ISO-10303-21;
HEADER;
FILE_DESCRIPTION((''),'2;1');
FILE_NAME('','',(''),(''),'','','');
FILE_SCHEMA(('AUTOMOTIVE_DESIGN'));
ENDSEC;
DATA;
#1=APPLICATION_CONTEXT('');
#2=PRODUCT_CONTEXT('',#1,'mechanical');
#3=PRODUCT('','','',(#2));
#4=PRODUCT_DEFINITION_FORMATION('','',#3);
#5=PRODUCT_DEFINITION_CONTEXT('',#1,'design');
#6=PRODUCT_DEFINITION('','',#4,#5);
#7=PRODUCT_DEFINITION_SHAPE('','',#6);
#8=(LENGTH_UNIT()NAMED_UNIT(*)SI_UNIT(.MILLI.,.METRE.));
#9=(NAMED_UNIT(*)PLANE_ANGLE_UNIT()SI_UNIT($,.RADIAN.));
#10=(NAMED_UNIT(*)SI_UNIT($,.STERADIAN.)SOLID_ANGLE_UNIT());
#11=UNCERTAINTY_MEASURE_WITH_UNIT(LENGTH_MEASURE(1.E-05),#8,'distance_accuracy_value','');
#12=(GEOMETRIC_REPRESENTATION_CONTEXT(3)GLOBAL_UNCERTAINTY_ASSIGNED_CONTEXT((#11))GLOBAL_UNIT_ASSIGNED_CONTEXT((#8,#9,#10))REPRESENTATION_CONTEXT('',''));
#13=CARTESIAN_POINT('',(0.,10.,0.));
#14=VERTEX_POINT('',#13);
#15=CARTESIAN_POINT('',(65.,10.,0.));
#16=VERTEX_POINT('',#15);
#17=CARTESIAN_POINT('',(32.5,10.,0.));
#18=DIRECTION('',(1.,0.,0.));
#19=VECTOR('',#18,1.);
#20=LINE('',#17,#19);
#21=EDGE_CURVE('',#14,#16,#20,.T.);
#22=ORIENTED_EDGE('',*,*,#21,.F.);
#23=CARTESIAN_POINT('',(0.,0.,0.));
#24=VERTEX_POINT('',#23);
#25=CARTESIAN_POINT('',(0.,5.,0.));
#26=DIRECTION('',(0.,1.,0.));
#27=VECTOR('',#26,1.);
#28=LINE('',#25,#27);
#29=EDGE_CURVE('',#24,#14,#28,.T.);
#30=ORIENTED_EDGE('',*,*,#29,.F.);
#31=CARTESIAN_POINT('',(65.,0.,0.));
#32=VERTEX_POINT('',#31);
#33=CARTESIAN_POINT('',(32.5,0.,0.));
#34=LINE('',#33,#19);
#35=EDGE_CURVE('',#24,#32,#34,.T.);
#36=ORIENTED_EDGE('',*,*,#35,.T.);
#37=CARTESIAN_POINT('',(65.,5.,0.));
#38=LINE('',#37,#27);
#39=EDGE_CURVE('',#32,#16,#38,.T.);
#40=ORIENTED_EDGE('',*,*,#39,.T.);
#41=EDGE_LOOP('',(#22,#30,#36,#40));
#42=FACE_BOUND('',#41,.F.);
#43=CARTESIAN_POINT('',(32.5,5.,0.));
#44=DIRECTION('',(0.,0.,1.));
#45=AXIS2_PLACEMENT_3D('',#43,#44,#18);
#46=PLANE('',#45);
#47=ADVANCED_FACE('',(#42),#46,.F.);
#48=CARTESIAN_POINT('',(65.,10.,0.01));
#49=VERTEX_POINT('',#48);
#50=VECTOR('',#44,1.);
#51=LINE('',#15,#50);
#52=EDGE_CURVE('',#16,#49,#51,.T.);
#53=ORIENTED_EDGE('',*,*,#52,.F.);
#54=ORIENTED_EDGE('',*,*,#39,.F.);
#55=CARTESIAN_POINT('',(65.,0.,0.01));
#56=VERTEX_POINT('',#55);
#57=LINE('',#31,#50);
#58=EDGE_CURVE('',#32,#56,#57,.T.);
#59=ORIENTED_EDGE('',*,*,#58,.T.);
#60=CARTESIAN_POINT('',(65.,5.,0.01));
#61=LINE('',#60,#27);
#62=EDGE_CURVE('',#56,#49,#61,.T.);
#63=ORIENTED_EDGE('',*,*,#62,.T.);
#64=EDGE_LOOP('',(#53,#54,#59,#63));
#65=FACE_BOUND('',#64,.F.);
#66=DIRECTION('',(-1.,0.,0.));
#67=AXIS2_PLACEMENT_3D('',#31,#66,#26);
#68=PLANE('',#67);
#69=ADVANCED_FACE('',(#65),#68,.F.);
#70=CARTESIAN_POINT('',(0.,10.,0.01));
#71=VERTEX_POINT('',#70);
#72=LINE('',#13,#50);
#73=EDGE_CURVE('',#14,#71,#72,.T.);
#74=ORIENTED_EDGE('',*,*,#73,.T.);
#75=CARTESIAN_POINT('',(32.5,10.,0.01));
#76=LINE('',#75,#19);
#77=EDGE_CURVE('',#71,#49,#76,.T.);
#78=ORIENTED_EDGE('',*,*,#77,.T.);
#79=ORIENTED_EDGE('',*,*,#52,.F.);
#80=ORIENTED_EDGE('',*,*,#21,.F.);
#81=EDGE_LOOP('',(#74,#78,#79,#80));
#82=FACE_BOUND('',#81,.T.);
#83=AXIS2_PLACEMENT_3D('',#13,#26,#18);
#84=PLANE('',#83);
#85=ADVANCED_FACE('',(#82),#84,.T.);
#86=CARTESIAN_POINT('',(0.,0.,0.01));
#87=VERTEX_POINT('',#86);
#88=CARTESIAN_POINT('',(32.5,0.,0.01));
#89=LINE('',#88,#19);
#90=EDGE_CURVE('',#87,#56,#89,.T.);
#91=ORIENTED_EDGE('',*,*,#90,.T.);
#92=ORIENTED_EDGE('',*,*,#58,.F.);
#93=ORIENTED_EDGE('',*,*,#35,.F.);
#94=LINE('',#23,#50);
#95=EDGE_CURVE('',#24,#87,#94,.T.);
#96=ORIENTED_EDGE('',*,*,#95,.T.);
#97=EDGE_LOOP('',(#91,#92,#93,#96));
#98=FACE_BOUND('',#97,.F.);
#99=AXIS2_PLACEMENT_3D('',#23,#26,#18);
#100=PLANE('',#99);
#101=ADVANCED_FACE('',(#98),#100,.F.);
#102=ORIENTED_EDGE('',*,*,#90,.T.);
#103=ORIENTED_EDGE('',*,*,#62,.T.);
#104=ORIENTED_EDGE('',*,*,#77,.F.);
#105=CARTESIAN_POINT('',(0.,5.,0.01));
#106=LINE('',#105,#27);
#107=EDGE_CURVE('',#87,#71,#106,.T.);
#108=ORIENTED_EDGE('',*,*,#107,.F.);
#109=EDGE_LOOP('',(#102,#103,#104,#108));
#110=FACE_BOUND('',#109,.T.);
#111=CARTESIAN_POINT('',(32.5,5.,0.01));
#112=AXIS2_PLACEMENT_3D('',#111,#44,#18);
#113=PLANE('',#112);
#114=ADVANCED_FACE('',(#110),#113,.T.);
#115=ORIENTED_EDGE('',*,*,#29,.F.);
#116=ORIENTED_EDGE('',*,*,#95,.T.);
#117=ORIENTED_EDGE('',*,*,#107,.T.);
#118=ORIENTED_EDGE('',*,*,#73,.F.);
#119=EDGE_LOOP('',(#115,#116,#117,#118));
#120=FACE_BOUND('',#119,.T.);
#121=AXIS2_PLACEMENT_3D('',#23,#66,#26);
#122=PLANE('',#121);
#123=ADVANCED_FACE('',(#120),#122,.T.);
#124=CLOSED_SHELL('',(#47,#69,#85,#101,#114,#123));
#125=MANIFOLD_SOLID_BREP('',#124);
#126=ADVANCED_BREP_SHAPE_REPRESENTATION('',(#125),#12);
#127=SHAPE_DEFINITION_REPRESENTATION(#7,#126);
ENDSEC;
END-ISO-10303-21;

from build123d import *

# Parameters (mm, degrees)
BOX_W     = 65
BOX_H     = 10
BOX_DEPTH = 0.01


with BuildPart() as part:
    # Box → Box (new body)
    with BuildSketch(Plane.XY):
        with Locations((32.5, 5)):
            Rectangle(BOX_W, BOX_H)
    extrude(amount=BOX_DEPTH)


solid = part.part
